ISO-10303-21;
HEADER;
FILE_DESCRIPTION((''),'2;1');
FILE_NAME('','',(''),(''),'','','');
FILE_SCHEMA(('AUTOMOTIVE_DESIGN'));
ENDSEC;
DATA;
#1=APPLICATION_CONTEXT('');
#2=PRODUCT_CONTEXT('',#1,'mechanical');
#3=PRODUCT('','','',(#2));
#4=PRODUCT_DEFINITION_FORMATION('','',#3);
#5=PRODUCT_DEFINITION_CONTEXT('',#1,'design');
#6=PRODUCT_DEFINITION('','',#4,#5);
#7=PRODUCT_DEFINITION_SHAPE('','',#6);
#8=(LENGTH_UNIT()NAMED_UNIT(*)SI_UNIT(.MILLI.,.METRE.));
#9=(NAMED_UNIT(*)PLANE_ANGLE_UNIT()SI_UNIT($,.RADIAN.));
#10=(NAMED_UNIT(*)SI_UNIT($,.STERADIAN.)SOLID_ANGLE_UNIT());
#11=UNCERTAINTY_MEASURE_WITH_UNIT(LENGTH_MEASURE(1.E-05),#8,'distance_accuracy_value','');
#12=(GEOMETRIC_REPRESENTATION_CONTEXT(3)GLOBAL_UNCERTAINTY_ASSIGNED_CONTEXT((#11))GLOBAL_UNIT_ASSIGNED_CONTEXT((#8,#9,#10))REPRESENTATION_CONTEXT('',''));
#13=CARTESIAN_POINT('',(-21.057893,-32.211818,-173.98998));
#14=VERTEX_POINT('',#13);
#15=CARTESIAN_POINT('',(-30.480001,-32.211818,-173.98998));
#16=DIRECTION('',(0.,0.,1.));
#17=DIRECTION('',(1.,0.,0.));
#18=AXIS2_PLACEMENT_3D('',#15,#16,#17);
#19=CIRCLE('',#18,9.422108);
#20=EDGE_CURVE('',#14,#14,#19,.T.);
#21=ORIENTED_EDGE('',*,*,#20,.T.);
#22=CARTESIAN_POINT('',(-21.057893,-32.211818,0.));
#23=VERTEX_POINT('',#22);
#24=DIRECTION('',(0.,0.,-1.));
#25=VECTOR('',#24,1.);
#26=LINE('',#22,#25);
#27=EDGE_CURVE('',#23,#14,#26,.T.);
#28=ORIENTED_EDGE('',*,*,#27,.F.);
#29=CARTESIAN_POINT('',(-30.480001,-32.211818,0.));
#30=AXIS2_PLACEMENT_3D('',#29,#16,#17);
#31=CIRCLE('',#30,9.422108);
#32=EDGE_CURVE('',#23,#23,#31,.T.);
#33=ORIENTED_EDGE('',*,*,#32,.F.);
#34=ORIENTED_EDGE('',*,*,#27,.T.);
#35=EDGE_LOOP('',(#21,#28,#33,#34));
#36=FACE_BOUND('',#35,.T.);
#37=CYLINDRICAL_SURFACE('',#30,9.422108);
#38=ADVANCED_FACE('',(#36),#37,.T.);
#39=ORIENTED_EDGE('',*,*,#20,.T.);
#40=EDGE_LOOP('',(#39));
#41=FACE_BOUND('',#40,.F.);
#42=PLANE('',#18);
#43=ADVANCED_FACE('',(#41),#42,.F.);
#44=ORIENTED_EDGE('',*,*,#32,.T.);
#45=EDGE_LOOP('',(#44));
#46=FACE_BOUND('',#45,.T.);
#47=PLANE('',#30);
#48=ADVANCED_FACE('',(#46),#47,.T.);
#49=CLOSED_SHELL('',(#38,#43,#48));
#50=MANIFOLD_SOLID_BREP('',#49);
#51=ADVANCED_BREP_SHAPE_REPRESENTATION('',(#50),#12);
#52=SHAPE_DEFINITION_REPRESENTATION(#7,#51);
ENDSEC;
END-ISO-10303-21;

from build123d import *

# Parameters (mm, degrees)
F0_R     = 9.422108
F1_DEPTH = 173.98998


with BuildPart() as f1:
    # F0 (on Top) → F1 (new body)
    with BuildSketch(Plane.XY):
        with Locations((-30.480001, -32.211818)):
            Circle(F0_R)
    extrude(amount=-F1_DEPTH)


solid = f1.part
